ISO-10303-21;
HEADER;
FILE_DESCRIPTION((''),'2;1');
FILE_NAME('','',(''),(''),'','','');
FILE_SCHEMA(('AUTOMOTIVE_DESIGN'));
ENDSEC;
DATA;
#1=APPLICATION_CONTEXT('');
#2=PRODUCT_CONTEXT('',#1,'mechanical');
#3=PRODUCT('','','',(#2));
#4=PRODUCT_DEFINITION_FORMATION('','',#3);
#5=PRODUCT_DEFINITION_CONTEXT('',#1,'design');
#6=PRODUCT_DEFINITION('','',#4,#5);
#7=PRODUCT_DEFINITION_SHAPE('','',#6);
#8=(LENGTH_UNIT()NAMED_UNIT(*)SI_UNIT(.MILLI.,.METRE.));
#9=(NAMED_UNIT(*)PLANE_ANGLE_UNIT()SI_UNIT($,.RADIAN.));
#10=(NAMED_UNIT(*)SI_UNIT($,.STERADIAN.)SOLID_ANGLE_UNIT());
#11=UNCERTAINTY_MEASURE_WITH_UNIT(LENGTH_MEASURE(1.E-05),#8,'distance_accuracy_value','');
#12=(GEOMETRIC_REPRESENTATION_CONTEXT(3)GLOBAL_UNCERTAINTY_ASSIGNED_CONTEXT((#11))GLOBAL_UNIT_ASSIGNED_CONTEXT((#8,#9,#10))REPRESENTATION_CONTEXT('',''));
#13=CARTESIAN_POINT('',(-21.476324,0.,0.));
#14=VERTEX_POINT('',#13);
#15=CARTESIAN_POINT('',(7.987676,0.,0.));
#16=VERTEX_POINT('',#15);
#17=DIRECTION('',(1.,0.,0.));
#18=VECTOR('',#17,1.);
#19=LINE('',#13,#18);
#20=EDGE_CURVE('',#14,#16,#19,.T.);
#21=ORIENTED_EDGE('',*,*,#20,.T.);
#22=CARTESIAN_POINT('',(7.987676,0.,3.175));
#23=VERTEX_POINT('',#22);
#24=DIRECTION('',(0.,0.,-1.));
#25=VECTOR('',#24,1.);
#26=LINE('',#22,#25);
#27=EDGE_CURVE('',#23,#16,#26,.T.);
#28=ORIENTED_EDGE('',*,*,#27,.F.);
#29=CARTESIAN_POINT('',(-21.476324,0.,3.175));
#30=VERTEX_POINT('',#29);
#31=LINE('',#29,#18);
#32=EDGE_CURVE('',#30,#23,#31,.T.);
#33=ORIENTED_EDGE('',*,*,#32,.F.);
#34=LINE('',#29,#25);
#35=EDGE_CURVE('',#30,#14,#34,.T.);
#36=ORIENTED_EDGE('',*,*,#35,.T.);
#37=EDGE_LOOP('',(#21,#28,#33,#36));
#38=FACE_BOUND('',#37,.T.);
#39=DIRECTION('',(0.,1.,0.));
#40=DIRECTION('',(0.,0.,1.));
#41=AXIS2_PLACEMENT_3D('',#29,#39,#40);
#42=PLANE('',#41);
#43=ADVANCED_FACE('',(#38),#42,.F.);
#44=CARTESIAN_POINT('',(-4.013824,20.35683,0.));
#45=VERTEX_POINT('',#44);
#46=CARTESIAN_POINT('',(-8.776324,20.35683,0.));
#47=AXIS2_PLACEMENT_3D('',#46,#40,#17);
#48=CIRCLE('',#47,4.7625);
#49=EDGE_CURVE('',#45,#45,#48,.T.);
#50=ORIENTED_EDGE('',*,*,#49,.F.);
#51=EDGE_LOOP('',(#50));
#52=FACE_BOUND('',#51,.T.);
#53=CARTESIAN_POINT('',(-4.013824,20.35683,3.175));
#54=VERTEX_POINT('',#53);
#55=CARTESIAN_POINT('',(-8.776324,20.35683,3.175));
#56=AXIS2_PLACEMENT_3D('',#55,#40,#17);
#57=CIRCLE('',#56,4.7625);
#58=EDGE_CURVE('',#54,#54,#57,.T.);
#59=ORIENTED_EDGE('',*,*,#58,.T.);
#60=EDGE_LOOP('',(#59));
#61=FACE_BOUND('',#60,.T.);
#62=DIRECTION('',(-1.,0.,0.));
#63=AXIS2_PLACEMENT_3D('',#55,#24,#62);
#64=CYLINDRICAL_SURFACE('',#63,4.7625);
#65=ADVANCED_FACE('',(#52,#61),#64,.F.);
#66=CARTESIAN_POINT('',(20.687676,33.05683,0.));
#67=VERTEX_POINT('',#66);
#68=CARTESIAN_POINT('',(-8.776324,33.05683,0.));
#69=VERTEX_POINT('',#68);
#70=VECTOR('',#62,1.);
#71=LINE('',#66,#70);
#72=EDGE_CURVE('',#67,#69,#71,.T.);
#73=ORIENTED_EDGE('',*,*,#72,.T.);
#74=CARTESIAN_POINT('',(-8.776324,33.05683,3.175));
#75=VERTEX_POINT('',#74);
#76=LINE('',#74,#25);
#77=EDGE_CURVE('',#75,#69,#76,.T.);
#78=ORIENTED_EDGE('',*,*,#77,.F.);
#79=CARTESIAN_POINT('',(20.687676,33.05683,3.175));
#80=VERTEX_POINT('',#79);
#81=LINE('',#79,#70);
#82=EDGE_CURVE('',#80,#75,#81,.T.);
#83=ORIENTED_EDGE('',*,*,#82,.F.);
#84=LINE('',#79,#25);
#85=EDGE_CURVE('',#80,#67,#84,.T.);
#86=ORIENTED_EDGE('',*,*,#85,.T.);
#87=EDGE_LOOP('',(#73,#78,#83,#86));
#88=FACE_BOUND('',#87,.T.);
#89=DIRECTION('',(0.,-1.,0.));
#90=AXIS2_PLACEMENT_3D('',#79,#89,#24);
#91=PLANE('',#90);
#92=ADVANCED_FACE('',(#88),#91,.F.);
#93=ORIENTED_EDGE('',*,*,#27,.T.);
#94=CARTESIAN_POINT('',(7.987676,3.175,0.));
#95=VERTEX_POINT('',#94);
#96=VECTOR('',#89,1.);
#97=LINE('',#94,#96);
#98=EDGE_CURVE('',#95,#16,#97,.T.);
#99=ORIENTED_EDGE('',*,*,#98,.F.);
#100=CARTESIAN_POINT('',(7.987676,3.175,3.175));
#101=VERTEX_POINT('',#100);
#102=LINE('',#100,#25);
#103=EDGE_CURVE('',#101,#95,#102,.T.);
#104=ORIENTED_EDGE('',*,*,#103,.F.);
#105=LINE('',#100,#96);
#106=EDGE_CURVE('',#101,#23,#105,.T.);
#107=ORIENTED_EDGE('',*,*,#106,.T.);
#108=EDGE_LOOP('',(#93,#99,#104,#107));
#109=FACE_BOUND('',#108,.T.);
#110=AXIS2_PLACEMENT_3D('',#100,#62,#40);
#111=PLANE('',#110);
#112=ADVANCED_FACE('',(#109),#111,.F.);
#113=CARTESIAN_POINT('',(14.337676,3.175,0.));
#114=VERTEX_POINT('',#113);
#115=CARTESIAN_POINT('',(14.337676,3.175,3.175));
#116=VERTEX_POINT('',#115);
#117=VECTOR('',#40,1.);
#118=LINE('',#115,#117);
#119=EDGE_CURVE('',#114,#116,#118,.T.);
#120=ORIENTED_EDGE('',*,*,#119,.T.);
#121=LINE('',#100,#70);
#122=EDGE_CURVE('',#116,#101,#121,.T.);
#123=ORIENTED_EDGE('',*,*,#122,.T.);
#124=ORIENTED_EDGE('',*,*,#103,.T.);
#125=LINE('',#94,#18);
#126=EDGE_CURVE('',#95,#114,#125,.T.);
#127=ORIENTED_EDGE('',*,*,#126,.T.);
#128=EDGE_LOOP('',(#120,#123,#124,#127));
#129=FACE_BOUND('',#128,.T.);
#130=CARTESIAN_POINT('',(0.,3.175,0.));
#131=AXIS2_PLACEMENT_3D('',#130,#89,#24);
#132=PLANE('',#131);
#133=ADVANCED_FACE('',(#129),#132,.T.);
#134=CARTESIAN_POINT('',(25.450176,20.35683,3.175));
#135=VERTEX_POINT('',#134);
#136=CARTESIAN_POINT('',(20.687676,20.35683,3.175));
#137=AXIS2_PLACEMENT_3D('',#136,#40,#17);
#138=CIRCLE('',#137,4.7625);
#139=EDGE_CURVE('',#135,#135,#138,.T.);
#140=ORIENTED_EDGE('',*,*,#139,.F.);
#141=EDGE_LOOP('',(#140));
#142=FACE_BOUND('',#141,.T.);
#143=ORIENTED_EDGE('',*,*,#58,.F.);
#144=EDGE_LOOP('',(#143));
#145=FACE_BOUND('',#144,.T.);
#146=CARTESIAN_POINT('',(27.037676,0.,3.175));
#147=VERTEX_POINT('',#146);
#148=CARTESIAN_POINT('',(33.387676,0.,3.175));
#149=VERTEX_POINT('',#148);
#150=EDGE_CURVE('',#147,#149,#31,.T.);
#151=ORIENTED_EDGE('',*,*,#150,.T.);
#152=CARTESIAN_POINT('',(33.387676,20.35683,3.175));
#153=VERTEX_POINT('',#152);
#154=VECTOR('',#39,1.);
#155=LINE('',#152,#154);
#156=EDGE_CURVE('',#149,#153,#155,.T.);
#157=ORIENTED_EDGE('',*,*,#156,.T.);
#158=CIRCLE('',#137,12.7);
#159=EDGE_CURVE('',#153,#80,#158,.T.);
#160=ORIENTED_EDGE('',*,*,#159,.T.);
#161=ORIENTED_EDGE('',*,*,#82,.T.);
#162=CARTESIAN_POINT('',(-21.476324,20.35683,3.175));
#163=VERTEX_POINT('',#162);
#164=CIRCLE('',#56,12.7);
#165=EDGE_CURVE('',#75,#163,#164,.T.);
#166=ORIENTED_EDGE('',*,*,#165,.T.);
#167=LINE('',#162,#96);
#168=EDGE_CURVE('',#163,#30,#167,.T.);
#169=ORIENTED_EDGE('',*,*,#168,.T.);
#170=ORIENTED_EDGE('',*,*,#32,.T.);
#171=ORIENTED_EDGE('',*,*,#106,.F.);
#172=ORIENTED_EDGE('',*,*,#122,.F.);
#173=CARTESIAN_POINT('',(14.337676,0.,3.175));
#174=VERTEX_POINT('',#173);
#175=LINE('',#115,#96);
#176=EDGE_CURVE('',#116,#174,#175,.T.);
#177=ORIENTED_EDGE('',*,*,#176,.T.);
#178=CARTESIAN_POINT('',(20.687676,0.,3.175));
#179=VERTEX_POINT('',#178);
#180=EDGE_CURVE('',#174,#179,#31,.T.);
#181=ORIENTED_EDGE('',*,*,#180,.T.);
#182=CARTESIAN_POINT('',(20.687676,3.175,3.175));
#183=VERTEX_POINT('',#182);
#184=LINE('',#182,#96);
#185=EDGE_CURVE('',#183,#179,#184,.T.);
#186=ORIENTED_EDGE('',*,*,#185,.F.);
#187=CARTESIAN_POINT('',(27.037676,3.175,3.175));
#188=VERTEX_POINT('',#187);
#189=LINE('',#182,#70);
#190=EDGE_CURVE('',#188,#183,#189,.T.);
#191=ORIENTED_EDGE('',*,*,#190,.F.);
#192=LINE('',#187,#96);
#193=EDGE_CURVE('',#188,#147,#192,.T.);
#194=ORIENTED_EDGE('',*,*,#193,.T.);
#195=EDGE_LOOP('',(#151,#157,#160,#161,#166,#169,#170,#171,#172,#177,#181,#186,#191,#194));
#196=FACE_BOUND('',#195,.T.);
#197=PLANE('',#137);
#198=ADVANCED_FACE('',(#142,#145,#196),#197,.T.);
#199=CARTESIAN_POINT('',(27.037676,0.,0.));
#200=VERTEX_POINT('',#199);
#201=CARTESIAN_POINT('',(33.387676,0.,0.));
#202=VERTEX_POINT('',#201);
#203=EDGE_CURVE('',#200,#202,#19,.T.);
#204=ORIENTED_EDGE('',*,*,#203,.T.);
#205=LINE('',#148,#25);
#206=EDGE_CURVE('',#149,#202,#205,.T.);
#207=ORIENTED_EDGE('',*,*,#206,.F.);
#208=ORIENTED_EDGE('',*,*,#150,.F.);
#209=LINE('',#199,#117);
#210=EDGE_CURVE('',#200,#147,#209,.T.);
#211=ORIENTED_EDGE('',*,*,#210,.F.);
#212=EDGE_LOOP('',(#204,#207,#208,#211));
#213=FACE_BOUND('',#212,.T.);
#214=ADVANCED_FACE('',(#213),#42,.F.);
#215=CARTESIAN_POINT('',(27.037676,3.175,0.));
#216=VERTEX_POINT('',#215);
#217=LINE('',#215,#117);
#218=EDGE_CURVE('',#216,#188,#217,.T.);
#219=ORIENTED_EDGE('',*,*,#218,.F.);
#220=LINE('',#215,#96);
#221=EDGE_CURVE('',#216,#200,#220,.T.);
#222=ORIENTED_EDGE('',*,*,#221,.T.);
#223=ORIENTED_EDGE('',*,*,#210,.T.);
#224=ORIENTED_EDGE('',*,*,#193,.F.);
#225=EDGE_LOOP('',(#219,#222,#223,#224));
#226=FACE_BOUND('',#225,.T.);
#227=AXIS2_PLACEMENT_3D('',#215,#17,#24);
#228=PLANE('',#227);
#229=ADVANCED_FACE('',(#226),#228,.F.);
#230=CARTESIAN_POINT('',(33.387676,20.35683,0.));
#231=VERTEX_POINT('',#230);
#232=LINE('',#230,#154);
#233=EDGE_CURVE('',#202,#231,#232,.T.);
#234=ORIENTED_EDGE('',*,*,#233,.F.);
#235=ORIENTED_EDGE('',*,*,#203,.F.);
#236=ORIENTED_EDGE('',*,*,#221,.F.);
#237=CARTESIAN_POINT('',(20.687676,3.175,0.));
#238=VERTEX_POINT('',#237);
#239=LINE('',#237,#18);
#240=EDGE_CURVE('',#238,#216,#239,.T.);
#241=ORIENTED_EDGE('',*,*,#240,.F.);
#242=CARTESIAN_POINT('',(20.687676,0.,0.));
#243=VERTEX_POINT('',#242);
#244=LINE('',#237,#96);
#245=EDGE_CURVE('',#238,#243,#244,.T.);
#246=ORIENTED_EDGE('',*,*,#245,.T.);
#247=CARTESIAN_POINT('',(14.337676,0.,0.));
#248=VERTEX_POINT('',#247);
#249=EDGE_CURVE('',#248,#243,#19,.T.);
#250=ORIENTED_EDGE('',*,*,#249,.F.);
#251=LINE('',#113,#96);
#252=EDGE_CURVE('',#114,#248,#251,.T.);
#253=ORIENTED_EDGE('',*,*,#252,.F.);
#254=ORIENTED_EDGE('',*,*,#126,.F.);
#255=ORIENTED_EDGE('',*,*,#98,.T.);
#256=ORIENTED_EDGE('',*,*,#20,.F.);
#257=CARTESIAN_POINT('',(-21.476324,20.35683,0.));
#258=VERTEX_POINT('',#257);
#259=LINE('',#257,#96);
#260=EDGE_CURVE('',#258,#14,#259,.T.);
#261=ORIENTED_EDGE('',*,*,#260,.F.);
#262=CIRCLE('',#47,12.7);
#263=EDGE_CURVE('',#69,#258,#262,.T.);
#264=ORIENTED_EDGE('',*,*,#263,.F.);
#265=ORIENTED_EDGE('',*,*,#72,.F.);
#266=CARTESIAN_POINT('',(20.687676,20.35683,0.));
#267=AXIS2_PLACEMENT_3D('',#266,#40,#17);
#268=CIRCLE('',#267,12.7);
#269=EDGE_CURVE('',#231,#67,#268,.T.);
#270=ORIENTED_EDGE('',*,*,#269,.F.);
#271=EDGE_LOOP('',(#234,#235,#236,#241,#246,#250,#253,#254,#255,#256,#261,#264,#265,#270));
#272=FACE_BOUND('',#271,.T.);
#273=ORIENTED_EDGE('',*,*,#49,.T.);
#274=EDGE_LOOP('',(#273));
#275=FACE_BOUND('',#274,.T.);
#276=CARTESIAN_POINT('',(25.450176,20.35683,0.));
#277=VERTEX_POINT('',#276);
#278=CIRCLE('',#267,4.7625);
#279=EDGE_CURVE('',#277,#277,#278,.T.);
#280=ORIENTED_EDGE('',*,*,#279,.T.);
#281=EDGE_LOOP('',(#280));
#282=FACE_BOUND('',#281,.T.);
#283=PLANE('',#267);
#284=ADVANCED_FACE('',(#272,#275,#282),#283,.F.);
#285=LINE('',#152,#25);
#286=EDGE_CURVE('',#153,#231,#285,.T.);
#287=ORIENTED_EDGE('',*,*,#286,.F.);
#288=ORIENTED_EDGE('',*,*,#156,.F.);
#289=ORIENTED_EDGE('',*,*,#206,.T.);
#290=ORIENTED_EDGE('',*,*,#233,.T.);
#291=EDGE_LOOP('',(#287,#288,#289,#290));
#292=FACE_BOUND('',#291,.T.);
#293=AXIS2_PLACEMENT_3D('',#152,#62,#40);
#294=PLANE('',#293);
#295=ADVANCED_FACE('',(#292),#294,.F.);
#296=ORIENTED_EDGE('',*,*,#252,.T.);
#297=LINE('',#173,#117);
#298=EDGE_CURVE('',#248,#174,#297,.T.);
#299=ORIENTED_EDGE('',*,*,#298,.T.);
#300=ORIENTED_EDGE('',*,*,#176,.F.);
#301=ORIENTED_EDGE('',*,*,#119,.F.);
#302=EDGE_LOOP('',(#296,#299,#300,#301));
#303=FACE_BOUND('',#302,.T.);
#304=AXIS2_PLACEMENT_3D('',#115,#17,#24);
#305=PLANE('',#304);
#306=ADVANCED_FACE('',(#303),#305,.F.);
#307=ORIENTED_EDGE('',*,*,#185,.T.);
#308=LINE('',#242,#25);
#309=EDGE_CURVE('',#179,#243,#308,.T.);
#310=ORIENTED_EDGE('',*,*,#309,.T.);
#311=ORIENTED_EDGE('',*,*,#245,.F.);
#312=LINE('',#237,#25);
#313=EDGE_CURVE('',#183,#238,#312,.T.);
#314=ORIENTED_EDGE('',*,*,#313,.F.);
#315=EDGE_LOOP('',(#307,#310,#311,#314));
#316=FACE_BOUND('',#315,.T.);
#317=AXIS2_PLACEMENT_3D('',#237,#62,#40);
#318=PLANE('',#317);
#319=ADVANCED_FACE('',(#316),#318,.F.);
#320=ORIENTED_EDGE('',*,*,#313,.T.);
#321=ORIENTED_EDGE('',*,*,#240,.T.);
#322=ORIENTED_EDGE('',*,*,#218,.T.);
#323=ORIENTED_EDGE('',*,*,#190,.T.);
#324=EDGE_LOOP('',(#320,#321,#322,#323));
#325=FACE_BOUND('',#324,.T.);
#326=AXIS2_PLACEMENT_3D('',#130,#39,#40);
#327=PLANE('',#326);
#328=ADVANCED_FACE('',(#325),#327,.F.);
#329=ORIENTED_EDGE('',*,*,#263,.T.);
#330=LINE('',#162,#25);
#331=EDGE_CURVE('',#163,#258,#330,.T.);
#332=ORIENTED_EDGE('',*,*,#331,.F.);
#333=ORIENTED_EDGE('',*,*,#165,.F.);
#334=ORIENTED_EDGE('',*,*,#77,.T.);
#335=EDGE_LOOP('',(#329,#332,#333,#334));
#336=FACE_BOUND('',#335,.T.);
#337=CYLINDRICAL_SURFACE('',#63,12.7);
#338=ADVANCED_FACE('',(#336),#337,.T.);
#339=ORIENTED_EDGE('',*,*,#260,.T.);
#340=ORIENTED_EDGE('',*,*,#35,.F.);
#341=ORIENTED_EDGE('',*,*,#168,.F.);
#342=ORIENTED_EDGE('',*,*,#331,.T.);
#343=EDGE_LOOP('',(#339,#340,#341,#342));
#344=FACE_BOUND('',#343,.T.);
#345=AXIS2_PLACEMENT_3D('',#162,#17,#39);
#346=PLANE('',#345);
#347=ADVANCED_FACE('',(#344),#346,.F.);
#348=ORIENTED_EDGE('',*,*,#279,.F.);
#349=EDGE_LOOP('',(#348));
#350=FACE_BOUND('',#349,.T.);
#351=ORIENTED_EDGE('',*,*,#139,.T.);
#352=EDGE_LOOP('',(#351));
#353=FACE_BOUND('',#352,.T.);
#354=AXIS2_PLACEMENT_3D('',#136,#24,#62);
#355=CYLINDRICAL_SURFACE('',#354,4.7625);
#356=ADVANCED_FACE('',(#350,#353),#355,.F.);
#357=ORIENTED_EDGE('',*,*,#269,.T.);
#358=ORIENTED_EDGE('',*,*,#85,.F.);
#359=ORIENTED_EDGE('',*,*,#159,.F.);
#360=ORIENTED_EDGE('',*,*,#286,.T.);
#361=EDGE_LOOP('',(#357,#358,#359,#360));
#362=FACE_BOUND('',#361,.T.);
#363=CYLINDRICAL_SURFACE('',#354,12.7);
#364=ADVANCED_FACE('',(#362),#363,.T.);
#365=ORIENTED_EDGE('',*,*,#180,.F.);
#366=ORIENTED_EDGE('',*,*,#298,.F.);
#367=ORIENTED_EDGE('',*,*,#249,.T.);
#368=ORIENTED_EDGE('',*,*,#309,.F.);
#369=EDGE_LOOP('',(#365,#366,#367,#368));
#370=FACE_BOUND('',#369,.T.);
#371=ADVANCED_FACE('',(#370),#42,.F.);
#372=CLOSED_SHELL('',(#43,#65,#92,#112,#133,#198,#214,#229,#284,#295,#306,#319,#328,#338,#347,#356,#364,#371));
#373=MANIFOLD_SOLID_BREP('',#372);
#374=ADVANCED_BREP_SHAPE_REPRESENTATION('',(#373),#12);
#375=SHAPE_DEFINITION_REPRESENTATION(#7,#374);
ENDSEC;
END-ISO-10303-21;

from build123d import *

# Parameters (mm, degrees)
SKETCH1_R           = 4.7625
BOSS_EXTRUDE1_DEPTH = 3.175
SKETCH2_W           = 6.35
SKETCH2_H           = 3.175
CUT_EXTRUDE1_DEPTH  = 3.175


with BuildPart() as part:
    # Sketch1 → Boss-Extrude1 (new body)
    with BuildSketch(Plane.XY):
        with BuildLine():
            Line((33.387675642, 20.35683), (33.387675642, 0))
            Line((33.387675642, 0), (-21.476324358, 0))
            Line((-21.476324358, 0), (-21.476324358, 20.35683))
            ThreePointArc((-21.476324358, 20.35683), (-17.756580479, 29.337086121), (-8.776324358, 33.05683))
            Line((-8.776324358, 33.05683), (20.687675642, 33.05683))
            ThreePointArc((20.687675642, 33.05683), (29.667931764, 29.337086121), (33.387675642, 20.35683))
        make_face()
        with Locations((20.687675642, 20.35683)):
            Circle(SKETCH1_R, mode=Mode.SUBTRACT)
        with Locations((-8.776324358, 20.35683)):
            Circle(SKETCH1_R, mode=Mode.SUBTRACT)
    extrude(amount=BOSS_EXTRUDE1_DEPTH)

    # Sketch2 → Cut-Extrude1 (cut)
    with BuildSketch(Plane.XZ):
        with Locations((23.862675642, 1.5875)):
            Rectangle(SKETCH2_W, SKETCH2_H)
        with Locations((11.162675642, 1.5875)):
            Rectangle(SKETCH2_W, SKETCH2_H)
    extrude(amount=-CUT_EXTRUDE1_DEPTH, mode=Mode.SUBTRACT)


solid = part.part
